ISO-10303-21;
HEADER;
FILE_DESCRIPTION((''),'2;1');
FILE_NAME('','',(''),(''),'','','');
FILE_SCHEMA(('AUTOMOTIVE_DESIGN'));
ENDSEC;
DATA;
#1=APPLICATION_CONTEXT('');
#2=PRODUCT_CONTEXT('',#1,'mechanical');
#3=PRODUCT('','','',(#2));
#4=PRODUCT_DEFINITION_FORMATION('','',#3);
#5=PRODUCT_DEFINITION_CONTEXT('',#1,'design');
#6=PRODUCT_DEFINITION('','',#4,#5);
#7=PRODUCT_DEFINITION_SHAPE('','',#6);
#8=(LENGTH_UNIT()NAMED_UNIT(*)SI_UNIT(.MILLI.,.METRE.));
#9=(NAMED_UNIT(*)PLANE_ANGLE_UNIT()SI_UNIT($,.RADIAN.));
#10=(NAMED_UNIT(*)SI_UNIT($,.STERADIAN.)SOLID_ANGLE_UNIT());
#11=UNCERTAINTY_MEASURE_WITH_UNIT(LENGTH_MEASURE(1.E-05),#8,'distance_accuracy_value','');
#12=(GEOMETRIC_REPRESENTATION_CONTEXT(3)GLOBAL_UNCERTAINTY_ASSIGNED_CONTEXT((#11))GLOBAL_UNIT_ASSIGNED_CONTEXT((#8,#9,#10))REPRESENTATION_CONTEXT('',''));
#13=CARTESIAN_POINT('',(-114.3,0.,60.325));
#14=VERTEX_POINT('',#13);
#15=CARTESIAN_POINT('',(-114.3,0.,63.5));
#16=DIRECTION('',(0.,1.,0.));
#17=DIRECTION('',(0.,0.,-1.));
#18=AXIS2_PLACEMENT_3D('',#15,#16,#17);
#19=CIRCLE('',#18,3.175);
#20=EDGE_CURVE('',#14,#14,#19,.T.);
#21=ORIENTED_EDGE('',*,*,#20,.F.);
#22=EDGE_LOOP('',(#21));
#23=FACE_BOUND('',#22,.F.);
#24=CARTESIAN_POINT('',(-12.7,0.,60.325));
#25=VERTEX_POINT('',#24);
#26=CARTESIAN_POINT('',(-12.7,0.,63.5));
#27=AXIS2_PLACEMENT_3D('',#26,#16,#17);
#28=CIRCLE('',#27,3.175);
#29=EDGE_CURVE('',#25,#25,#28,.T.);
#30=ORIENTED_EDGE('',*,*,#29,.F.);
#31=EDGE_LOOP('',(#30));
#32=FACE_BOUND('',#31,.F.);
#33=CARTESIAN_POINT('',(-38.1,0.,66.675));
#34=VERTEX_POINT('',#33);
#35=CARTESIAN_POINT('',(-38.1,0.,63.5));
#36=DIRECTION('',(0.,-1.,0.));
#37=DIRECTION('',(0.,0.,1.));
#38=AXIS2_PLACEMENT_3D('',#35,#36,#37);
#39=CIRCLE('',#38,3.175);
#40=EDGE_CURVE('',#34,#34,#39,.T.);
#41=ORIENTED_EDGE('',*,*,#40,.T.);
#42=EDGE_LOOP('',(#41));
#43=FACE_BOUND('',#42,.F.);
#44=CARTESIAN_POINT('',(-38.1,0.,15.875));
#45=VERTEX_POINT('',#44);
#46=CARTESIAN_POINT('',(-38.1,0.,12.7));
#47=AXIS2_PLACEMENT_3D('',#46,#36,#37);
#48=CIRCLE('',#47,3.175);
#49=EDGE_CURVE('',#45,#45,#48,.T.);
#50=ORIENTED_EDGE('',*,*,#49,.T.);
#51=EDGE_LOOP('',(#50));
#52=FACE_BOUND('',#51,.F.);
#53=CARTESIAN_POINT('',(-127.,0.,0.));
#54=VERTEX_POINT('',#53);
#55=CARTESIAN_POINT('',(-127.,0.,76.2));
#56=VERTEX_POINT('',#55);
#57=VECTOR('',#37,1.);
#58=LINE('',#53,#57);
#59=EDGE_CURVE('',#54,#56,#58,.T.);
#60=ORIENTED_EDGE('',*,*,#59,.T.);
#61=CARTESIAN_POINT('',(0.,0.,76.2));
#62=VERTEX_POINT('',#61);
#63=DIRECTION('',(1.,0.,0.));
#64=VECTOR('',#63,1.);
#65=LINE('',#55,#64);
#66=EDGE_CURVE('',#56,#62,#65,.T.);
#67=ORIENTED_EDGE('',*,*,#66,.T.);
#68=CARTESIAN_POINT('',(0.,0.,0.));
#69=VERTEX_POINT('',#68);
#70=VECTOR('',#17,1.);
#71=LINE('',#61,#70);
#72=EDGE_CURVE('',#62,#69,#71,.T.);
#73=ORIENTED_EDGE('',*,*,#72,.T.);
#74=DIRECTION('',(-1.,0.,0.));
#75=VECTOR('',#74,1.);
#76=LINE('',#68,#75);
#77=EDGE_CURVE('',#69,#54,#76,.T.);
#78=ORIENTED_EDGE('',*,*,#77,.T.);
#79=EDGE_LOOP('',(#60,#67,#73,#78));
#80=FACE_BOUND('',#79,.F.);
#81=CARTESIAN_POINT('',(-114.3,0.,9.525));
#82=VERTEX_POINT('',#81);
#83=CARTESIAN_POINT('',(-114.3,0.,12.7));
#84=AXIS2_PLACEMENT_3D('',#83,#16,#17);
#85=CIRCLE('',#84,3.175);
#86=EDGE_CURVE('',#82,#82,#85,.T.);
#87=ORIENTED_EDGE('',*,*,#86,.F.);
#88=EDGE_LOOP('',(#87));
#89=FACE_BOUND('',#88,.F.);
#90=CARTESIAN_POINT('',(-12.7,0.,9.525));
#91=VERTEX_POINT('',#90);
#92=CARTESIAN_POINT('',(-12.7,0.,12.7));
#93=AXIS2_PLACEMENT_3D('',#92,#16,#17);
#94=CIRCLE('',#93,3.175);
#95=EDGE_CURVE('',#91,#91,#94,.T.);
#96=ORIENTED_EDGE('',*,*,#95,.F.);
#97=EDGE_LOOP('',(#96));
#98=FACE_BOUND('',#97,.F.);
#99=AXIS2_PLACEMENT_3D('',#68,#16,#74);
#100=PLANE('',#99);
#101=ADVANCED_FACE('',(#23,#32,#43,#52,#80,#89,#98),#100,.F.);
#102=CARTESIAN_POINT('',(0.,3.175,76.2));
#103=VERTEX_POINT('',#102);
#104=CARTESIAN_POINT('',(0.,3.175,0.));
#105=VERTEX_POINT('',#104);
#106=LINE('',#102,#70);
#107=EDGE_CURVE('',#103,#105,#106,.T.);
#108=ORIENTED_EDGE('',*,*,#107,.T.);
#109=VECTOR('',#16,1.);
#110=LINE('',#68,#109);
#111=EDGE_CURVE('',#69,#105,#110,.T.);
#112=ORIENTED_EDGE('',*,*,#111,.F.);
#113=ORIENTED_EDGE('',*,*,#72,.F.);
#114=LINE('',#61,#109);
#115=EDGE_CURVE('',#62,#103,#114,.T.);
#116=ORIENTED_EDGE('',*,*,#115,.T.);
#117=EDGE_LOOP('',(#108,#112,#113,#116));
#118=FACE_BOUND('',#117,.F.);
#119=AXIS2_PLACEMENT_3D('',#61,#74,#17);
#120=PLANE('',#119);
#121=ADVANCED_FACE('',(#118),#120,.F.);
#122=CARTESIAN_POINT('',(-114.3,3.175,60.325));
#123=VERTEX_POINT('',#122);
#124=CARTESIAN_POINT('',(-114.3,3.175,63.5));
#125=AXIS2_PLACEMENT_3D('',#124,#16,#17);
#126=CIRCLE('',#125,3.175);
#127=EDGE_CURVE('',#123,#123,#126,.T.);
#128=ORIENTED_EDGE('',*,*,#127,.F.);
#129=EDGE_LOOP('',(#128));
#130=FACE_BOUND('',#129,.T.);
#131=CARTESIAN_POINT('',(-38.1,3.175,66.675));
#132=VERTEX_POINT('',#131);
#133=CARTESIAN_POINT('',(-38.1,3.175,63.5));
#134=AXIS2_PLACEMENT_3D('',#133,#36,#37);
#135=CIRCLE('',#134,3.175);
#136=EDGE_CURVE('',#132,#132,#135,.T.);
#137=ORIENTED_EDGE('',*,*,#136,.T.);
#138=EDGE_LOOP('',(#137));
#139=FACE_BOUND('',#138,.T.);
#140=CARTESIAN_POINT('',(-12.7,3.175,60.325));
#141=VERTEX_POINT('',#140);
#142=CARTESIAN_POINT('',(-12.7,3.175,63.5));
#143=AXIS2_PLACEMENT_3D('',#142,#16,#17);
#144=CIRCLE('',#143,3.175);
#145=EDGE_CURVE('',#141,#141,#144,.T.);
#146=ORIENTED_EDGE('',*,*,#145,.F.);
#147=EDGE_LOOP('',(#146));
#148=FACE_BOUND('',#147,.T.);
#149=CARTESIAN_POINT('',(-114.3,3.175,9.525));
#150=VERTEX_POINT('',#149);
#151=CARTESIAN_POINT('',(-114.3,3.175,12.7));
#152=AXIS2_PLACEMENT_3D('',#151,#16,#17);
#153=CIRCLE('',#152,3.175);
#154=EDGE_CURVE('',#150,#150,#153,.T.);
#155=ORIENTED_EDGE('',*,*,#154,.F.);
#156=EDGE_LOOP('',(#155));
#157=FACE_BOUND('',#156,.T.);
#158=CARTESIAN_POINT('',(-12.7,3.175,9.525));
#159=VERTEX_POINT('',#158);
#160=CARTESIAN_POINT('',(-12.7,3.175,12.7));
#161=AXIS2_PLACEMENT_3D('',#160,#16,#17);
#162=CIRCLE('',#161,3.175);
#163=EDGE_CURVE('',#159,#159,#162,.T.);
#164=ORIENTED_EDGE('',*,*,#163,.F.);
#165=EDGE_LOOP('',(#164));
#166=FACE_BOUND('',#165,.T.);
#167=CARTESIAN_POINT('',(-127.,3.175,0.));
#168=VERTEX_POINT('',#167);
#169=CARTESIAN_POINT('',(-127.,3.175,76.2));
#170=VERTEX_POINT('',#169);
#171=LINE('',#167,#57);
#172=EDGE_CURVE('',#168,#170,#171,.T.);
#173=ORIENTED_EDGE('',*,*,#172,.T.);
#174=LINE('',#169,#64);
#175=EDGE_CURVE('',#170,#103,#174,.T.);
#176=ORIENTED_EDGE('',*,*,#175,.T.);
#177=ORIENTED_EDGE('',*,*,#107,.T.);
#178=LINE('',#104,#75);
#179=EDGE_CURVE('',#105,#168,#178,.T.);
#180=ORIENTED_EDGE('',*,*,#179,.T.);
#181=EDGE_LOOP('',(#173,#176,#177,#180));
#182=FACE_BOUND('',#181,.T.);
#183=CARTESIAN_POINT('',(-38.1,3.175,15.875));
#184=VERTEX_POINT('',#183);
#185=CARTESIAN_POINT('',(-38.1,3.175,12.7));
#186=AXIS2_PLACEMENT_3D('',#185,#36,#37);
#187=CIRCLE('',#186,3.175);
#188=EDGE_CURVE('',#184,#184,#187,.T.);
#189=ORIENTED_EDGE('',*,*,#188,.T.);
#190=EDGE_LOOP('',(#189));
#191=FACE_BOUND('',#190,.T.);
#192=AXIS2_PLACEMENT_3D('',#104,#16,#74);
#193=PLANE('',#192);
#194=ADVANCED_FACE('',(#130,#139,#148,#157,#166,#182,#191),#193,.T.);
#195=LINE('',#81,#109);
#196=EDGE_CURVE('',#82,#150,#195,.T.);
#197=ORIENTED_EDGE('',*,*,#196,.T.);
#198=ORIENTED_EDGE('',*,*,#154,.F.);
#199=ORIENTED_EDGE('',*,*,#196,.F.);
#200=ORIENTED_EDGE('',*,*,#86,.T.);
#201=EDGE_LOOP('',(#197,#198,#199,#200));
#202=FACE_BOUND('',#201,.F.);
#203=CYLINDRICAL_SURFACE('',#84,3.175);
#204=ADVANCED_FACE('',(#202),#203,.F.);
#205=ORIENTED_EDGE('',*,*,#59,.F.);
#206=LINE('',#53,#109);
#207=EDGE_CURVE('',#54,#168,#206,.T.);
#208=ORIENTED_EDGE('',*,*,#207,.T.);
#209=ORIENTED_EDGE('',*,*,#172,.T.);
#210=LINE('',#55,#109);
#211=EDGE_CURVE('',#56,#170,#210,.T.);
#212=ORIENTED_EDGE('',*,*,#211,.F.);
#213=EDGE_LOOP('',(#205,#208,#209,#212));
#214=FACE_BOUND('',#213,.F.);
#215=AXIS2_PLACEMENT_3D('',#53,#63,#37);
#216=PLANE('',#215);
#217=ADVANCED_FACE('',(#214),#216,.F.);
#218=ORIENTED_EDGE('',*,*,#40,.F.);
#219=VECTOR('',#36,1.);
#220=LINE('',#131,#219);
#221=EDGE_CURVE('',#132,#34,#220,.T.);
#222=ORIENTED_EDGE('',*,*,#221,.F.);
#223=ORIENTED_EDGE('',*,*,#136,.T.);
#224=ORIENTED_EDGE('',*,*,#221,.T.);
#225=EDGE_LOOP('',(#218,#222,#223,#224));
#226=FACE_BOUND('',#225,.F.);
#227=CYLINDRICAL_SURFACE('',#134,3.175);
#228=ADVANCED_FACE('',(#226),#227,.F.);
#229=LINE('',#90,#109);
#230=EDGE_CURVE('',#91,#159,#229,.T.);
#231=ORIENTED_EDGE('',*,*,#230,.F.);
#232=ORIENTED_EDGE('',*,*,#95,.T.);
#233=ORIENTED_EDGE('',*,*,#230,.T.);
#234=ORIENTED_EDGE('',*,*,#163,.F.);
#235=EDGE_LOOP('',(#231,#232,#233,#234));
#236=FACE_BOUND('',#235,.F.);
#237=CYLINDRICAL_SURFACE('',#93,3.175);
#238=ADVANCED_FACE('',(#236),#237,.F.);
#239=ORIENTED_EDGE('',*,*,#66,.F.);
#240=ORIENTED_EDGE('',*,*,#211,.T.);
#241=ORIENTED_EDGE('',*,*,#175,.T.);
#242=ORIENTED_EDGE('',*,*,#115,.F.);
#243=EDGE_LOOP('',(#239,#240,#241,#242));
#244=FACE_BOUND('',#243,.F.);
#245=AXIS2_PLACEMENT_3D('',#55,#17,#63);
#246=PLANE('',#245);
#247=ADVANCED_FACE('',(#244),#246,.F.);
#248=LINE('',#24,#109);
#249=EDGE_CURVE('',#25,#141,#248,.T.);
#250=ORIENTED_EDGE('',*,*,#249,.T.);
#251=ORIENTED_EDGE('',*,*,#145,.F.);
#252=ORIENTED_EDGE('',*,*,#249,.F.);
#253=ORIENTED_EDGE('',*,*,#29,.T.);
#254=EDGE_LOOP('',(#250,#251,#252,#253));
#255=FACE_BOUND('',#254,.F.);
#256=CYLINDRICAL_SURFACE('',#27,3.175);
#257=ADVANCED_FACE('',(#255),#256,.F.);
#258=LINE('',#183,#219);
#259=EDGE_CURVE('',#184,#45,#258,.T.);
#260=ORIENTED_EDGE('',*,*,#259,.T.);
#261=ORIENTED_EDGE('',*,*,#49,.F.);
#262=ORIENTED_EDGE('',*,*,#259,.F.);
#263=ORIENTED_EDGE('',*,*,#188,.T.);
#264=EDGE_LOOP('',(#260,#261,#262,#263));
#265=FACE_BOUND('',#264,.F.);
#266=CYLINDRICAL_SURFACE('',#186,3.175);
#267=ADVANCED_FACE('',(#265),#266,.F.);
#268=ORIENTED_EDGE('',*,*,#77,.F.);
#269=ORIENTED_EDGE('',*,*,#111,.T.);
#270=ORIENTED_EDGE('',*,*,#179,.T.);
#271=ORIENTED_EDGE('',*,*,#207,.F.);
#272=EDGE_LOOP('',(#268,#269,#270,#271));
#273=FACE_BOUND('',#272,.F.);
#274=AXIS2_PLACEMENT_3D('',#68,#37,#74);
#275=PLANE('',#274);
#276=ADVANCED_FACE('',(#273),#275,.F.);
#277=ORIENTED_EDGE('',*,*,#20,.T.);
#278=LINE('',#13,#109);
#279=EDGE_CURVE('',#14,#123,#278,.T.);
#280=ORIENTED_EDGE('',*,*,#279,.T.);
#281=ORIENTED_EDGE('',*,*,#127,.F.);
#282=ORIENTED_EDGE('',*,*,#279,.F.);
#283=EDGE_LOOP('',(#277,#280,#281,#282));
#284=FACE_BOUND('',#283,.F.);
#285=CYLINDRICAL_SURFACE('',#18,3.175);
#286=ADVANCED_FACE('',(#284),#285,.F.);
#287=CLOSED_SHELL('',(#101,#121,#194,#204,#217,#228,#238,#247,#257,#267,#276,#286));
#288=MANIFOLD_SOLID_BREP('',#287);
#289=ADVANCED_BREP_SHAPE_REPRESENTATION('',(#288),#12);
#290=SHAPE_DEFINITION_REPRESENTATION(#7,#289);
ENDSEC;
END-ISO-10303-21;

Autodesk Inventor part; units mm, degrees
ref_plane "YZ Plane" through (0, 0, 0) normal (1, 0, 0) x (0, 1, 0)
ref_plane "XZ Plane" through (0, 0, 0) normal (0, 1, 0) x (-1, 0, 0)
ref_plane "XY Plane" through (0, 0, 0) normal (0, 0, 1) x (1, 0, 0)
sketch "Sketch1" plane through (0, 0, 0) normal (0, 1, 0) x (-1, 0, 0)
  line L0 (0, 0) -> (127, 0)
  line L1 (127, 0) -> (127, 76.2)
  line L2 (127, 76.2) -> (0, 76.2)
  line L3 (0, 76.2) -> (0, 0)
  dimension "d0" = 127
  dimension "d2" = 76.2
extrude "Extrusion1" add sketch "Sketch1" along normal blind 3.175
sketch "Sketch2" plane through (0, 0, 0) normal (0, -1, 0) x (1, 0, 0)
  line L0 (0, 0) -> (-127, 0) projected
  line L1 (0, 76.2) -> (0, 0) projected
  line L2 (-127, 76.2) -> (0, 76.2) projected
  line L3 (-127, 0) -> (-127, 76.2) projected
  point P0 (-114.3, 63.5)
  point P1 (-12.7, 63.5)
  point P2 (-12.7, 12.7)
  point P3 (-114.3, 12.7)
  dimension "d5" = 12.7
  dimension "d6" = 12.7
  dimension "d7" = 12.7
  dimension "d8" = 12.7
  dimension "d9" = 12.7
  dimension "d10" = 12.7
  dimension "d11" = 12.7
  dimension "d12" = 12.7
hole "Hole1" at (-114.3, 0, 63.5) at (-12.7, 0, 63.5) at (-12.7, 0, 12.7) at (-114.3, 0, 12.7) direction (0, 1, 0) diameter 6.35 end through all
sketch "Sketch3" plane through (0, 3.175, 0) normal (0, 1, 0) x (1, 0, 0)
  line L0 (-127, -76.2) -> (0, -76.2) projected
  line L1 (0, -76.2) -> (0, 0) projected
  line L2 (0, 0) -> (-127, 0) projected
  point P0 (-38.1, -63.5)
  point P1 (-38.1, -12.7)
  dimension "d20" = 12.7
  dimension "d21" = 38.1
  dimension "d29" = 12.7
  dimension "d30" = 38.1
hole "Hole2" at (-38.1, 3.175, 63.5) at (-38.1, 3.175, 12.7) direction (0, -1, 0) diameter 6.35 end through all
properties part number "MountSwitchBar" material "Aluminum 6061"
